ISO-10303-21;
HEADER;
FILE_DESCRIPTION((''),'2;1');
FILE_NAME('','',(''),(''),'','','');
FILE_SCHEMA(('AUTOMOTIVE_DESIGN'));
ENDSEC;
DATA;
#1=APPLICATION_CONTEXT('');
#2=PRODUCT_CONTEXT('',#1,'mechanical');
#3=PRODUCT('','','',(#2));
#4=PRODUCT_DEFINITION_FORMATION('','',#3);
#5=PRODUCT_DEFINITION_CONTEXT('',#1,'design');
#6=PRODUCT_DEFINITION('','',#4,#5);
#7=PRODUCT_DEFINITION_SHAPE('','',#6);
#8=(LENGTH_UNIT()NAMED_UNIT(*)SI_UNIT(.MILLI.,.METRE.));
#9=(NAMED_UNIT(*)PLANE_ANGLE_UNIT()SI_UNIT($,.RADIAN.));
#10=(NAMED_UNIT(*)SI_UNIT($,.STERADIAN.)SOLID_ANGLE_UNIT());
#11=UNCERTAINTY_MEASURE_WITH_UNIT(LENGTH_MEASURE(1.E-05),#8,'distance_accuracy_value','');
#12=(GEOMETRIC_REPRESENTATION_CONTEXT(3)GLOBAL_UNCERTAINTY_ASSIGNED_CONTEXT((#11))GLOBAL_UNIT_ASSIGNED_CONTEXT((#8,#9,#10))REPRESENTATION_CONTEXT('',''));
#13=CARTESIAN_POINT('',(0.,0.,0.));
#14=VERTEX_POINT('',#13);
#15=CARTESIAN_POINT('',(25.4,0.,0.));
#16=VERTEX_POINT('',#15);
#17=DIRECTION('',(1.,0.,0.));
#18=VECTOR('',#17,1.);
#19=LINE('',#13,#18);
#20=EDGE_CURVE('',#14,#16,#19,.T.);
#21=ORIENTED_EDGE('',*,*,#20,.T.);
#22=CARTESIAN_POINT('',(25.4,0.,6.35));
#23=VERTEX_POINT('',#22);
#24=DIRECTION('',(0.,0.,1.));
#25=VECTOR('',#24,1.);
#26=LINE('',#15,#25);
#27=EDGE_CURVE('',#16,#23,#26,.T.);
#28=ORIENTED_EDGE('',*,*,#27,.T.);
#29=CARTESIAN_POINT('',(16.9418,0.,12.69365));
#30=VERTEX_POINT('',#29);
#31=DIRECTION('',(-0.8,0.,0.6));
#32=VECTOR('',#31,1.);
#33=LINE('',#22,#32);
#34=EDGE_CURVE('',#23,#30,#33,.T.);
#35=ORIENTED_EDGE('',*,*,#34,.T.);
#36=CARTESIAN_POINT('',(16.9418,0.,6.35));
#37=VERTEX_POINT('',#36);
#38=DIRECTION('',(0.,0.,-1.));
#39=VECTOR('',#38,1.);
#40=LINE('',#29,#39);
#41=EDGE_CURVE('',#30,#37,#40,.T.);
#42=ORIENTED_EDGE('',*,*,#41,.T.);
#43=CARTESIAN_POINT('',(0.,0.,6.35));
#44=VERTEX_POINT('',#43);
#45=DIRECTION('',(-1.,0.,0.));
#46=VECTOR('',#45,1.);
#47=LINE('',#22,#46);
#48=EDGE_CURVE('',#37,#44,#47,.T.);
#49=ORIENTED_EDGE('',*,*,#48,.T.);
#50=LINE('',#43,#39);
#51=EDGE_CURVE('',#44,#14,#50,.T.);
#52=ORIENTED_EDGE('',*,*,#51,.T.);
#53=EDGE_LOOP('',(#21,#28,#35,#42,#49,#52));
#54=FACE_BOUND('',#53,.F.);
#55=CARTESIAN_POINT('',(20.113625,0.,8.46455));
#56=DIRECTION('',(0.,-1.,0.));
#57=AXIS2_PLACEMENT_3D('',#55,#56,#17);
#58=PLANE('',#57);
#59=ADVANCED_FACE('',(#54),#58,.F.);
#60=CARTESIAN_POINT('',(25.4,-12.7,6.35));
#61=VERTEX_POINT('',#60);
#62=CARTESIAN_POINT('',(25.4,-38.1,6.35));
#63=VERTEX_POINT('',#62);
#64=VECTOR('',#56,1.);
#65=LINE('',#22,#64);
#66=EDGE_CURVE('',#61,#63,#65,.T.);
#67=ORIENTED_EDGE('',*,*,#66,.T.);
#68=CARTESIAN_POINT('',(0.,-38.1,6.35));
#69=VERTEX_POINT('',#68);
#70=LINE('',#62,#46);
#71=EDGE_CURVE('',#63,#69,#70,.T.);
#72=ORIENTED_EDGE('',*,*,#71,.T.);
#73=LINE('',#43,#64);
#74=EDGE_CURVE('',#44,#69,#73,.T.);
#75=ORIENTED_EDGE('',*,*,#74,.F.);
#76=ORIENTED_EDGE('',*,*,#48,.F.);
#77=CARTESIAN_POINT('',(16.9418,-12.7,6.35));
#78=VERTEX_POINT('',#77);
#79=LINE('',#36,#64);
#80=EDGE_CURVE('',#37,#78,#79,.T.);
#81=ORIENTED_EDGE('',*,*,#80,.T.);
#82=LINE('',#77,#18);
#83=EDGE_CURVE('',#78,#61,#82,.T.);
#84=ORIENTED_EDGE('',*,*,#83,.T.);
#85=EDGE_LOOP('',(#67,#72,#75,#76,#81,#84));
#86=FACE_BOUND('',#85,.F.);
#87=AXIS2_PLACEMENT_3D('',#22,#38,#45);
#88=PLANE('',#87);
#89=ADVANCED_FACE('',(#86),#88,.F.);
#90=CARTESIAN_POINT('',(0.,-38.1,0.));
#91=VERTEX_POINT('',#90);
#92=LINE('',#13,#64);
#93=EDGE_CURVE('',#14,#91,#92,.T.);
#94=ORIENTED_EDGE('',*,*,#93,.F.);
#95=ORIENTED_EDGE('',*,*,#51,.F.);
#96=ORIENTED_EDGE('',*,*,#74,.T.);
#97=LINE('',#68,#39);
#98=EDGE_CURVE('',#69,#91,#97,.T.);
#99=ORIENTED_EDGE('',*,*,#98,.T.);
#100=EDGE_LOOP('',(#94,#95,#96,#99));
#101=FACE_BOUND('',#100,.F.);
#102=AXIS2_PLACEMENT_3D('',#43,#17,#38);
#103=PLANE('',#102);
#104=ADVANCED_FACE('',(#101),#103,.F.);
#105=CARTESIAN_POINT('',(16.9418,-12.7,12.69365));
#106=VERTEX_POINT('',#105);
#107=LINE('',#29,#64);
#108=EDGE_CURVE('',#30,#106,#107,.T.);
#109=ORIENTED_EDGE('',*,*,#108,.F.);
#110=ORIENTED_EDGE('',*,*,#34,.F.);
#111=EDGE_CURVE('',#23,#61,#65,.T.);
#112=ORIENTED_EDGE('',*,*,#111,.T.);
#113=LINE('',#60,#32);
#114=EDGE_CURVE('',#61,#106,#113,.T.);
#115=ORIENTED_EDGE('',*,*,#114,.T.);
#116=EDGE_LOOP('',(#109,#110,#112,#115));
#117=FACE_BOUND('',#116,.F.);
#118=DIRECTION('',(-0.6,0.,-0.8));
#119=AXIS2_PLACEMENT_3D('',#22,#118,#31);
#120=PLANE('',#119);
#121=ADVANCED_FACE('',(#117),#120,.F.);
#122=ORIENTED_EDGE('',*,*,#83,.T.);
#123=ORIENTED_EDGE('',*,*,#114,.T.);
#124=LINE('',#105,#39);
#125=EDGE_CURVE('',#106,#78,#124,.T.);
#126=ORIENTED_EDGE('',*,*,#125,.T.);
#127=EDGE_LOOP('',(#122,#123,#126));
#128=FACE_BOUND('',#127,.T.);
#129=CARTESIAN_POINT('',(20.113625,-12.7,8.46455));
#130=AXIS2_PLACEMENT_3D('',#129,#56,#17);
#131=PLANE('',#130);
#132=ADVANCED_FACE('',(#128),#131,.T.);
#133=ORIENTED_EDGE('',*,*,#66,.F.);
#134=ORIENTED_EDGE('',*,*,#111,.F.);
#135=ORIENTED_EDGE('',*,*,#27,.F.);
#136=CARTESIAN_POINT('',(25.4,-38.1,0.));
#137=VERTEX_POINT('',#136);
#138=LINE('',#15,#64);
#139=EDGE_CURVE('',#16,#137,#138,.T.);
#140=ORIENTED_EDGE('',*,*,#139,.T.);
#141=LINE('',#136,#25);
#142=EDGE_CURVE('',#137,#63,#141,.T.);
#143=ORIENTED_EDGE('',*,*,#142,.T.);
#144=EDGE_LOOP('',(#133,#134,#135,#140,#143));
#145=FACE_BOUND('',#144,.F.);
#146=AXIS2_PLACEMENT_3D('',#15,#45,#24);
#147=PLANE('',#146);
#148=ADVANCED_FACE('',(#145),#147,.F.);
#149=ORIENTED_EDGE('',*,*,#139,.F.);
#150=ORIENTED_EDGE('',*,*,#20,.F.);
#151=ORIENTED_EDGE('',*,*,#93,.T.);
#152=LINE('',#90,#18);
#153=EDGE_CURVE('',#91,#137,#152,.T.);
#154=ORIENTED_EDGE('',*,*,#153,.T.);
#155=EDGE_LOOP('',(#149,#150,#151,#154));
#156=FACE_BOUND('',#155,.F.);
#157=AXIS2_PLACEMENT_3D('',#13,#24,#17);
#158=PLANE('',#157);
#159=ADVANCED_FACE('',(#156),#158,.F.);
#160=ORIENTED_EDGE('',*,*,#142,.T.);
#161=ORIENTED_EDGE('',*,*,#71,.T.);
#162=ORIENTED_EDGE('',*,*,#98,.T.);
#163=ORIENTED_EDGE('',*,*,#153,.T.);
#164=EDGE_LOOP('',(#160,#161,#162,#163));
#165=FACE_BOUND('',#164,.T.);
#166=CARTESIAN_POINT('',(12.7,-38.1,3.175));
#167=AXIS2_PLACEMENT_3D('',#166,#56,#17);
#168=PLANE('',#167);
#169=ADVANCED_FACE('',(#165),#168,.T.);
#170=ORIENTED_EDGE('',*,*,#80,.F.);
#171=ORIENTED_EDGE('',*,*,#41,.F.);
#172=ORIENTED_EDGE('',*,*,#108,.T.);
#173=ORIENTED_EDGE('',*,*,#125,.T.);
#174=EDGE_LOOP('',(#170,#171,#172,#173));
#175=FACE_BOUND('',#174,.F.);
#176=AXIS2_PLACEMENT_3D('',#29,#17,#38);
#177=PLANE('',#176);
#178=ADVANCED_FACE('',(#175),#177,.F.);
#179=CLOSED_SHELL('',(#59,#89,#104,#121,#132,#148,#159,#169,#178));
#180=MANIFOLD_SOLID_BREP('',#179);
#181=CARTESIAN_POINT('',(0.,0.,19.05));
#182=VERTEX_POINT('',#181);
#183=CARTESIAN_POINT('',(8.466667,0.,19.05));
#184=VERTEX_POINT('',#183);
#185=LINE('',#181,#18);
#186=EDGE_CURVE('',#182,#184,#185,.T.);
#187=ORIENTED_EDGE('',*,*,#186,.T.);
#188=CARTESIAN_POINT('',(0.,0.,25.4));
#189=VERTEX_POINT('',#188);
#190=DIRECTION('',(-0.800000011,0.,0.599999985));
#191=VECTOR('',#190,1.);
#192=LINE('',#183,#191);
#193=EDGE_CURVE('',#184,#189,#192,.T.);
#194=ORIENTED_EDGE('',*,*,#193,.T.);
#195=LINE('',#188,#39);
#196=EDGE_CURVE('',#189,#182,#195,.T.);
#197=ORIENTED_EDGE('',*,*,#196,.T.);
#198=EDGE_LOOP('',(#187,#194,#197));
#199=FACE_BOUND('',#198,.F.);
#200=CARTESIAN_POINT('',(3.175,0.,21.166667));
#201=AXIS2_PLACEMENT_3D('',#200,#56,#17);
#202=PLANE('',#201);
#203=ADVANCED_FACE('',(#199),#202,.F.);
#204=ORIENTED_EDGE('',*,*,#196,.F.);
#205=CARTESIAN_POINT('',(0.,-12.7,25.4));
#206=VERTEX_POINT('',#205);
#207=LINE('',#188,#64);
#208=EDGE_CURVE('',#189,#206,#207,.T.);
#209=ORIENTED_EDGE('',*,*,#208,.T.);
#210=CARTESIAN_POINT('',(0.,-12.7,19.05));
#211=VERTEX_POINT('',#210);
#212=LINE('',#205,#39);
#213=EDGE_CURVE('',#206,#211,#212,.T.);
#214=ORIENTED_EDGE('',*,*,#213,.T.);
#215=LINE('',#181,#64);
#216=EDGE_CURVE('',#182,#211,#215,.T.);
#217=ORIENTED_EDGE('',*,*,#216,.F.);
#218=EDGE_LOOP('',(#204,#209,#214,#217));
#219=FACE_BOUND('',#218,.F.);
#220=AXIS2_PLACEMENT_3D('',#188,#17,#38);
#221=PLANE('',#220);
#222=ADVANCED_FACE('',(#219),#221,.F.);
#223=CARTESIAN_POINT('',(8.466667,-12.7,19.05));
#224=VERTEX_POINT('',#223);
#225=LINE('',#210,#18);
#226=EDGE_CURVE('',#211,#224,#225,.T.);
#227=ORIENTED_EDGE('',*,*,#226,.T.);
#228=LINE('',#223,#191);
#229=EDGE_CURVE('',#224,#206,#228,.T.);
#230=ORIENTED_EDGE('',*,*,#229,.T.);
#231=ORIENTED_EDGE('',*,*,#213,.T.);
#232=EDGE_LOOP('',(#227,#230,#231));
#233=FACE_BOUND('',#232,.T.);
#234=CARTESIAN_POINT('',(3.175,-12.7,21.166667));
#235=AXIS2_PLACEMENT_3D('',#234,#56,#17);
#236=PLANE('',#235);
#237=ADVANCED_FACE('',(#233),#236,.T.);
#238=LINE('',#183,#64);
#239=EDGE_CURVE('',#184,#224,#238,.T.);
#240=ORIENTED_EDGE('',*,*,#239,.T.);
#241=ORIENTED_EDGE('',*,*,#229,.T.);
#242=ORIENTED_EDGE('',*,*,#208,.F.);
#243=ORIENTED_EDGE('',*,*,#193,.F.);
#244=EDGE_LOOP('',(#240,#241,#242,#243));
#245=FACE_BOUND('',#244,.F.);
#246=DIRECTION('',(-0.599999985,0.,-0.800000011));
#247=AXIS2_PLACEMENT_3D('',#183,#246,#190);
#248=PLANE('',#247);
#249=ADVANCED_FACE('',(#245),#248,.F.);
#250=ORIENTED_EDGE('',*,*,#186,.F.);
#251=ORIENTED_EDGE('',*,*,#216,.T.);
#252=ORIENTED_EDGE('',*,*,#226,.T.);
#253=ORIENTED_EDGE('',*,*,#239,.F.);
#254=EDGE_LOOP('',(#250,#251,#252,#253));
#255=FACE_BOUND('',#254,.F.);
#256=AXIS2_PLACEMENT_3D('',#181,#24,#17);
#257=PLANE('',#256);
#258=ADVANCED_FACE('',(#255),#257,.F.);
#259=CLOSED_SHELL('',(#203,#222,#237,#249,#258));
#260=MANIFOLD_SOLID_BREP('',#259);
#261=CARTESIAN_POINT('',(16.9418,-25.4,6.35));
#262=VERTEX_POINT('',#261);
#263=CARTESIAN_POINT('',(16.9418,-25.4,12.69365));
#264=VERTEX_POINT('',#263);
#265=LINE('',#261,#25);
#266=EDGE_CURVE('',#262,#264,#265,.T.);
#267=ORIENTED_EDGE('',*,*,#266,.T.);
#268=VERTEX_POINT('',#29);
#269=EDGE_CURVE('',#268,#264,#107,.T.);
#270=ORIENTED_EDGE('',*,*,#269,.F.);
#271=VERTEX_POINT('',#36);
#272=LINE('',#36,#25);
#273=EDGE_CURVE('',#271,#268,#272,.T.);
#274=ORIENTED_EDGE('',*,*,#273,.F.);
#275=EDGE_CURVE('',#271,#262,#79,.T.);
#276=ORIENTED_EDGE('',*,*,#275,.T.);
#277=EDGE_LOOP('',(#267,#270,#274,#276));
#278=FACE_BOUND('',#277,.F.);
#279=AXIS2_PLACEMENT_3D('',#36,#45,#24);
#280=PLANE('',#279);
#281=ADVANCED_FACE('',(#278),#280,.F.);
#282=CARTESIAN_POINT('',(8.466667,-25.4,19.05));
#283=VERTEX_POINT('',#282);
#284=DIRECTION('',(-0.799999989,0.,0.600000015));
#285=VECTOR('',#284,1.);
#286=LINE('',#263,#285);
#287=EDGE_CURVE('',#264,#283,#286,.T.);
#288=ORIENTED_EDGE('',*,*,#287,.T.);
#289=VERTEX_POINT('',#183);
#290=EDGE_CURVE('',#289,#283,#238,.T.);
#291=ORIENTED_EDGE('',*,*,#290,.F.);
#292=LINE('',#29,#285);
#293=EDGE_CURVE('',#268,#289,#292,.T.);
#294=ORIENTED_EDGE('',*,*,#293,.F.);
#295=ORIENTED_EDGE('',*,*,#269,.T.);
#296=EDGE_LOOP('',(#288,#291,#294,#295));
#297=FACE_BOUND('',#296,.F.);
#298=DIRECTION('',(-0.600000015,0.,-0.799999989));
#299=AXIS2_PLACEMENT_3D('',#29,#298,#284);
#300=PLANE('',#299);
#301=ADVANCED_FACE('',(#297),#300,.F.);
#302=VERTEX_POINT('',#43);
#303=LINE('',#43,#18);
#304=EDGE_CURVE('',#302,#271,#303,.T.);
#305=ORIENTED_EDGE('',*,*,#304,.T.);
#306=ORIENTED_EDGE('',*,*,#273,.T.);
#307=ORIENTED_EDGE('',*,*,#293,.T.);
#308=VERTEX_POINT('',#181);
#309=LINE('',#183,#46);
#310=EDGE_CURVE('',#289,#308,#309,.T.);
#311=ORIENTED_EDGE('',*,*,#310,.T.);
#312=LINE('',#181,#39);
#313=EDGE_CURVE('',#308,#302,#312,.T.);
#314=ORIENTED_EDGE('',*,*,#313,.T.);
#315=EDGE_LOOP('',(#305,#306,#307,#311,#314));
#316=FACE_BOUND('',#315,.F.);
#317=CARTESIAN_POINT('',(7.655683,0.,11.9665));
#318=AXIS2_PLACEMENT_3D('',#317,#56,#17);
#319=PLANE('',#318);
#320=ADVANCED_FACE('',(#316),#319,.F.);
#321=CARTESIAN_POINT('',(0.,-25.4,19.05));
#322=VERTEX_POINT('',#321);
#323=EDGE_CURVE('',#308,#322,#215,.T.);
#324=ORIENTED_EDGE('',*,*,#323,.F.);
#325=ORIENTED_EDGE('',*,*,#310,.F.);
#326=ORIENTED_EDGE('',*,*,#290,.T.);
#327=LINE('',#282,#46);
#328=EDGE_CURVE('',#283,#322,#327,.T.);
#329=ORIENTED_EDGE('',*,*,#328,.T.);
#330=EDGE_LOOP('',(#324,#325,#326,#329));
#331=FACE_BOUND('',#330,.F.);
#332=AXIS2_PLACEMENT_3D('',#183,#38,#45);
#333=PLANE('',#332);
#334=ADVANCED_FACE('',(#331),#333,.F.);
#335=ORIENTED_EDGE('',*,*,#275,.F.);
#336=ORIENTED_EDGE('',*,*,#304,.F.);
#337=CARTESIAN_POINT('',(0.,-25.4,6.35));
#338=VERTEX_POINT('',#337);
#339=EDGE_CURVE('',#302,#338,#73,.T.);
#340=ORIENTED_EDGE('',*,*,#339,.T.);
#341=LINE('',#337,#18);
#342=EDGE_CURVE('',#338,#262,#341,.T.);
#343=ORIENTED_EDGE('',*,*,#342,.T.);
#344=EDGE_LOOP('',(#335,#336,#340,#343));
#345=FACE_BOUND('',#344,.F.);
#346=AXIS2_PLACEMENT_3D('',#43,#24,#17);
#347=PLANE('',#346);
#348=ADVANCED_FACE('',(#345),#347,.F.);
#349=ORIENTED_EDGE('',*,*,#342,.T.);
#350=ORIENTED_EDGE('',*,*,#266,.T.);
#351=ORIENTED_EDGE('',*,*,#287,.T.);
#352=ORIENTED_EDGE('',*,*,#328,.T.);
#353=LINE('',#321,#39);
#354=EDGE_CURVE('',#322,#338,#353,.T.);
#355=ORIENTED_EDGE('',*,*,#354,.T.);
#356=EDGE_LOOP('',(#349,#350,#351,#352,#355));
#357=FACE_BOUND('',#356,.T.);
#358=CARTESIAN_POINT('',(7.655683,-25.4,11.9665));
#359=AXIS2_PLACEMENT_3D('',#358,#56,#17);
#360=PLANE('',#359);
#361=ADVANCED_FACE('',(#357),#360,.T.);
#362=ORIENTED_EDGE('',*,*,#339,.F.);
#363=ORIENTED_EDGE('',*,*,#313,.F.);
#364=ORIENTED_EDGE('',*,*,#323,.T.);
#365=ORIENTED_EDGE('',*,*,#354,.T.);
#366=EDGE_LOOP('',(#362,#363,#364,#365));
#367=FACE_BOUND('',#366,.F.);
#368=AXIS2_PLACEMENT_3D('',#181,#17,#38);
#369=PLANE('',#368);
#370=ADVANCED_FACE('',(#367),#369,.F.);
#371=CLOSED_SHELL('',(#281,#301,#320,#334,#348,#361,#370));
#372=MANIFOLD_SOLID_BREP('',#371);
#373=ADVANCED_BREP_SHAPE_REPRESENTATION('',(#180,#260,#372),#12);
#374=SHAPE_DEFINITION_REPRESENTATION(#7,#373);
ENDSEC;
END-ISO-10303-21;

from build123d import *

# Parameters (mm, degrees)
F1_DEPTH = 38.1
F2_DEPTH = 12.7
F3_DEPTH = 25.4


with BuildPart() as f1:
    # F0 (on Front) → F1 (new body)
    with BuildSketch(Plane.XZ):
        Polygon((0, 6.35), (0, 0), (25.4, 0), (25.4, 6.35), (16.9418, 6.35), align=None)
    extrude(amount=F1_DEPTH)

    # F0 (on Front) → F2 (join)
    with BuildSketch(Plane.XZ):
        Polygon((0, 25.4), (0, 19.05), (8.466667, 19.05), align=None)
        Polygon((16.9418, 6.35), (25.4, 6.35), (16.9418, 12.69365), align=None)
    extrude(amount=F2_DEPTH)


with BuildPart() as f3:
    # F0 (on Front) → F3 (new body)
    with BuildSketch(Plane.XZ):
        Polygon((0, 19.05), (0, 6.35), (16.9418, 6.35), (16.9418, 12.69365), (8.466667, 19.05), align=None)
    extrude(amount=F3_DEPTH)


solid = Compound([f1.part, f3.part])
